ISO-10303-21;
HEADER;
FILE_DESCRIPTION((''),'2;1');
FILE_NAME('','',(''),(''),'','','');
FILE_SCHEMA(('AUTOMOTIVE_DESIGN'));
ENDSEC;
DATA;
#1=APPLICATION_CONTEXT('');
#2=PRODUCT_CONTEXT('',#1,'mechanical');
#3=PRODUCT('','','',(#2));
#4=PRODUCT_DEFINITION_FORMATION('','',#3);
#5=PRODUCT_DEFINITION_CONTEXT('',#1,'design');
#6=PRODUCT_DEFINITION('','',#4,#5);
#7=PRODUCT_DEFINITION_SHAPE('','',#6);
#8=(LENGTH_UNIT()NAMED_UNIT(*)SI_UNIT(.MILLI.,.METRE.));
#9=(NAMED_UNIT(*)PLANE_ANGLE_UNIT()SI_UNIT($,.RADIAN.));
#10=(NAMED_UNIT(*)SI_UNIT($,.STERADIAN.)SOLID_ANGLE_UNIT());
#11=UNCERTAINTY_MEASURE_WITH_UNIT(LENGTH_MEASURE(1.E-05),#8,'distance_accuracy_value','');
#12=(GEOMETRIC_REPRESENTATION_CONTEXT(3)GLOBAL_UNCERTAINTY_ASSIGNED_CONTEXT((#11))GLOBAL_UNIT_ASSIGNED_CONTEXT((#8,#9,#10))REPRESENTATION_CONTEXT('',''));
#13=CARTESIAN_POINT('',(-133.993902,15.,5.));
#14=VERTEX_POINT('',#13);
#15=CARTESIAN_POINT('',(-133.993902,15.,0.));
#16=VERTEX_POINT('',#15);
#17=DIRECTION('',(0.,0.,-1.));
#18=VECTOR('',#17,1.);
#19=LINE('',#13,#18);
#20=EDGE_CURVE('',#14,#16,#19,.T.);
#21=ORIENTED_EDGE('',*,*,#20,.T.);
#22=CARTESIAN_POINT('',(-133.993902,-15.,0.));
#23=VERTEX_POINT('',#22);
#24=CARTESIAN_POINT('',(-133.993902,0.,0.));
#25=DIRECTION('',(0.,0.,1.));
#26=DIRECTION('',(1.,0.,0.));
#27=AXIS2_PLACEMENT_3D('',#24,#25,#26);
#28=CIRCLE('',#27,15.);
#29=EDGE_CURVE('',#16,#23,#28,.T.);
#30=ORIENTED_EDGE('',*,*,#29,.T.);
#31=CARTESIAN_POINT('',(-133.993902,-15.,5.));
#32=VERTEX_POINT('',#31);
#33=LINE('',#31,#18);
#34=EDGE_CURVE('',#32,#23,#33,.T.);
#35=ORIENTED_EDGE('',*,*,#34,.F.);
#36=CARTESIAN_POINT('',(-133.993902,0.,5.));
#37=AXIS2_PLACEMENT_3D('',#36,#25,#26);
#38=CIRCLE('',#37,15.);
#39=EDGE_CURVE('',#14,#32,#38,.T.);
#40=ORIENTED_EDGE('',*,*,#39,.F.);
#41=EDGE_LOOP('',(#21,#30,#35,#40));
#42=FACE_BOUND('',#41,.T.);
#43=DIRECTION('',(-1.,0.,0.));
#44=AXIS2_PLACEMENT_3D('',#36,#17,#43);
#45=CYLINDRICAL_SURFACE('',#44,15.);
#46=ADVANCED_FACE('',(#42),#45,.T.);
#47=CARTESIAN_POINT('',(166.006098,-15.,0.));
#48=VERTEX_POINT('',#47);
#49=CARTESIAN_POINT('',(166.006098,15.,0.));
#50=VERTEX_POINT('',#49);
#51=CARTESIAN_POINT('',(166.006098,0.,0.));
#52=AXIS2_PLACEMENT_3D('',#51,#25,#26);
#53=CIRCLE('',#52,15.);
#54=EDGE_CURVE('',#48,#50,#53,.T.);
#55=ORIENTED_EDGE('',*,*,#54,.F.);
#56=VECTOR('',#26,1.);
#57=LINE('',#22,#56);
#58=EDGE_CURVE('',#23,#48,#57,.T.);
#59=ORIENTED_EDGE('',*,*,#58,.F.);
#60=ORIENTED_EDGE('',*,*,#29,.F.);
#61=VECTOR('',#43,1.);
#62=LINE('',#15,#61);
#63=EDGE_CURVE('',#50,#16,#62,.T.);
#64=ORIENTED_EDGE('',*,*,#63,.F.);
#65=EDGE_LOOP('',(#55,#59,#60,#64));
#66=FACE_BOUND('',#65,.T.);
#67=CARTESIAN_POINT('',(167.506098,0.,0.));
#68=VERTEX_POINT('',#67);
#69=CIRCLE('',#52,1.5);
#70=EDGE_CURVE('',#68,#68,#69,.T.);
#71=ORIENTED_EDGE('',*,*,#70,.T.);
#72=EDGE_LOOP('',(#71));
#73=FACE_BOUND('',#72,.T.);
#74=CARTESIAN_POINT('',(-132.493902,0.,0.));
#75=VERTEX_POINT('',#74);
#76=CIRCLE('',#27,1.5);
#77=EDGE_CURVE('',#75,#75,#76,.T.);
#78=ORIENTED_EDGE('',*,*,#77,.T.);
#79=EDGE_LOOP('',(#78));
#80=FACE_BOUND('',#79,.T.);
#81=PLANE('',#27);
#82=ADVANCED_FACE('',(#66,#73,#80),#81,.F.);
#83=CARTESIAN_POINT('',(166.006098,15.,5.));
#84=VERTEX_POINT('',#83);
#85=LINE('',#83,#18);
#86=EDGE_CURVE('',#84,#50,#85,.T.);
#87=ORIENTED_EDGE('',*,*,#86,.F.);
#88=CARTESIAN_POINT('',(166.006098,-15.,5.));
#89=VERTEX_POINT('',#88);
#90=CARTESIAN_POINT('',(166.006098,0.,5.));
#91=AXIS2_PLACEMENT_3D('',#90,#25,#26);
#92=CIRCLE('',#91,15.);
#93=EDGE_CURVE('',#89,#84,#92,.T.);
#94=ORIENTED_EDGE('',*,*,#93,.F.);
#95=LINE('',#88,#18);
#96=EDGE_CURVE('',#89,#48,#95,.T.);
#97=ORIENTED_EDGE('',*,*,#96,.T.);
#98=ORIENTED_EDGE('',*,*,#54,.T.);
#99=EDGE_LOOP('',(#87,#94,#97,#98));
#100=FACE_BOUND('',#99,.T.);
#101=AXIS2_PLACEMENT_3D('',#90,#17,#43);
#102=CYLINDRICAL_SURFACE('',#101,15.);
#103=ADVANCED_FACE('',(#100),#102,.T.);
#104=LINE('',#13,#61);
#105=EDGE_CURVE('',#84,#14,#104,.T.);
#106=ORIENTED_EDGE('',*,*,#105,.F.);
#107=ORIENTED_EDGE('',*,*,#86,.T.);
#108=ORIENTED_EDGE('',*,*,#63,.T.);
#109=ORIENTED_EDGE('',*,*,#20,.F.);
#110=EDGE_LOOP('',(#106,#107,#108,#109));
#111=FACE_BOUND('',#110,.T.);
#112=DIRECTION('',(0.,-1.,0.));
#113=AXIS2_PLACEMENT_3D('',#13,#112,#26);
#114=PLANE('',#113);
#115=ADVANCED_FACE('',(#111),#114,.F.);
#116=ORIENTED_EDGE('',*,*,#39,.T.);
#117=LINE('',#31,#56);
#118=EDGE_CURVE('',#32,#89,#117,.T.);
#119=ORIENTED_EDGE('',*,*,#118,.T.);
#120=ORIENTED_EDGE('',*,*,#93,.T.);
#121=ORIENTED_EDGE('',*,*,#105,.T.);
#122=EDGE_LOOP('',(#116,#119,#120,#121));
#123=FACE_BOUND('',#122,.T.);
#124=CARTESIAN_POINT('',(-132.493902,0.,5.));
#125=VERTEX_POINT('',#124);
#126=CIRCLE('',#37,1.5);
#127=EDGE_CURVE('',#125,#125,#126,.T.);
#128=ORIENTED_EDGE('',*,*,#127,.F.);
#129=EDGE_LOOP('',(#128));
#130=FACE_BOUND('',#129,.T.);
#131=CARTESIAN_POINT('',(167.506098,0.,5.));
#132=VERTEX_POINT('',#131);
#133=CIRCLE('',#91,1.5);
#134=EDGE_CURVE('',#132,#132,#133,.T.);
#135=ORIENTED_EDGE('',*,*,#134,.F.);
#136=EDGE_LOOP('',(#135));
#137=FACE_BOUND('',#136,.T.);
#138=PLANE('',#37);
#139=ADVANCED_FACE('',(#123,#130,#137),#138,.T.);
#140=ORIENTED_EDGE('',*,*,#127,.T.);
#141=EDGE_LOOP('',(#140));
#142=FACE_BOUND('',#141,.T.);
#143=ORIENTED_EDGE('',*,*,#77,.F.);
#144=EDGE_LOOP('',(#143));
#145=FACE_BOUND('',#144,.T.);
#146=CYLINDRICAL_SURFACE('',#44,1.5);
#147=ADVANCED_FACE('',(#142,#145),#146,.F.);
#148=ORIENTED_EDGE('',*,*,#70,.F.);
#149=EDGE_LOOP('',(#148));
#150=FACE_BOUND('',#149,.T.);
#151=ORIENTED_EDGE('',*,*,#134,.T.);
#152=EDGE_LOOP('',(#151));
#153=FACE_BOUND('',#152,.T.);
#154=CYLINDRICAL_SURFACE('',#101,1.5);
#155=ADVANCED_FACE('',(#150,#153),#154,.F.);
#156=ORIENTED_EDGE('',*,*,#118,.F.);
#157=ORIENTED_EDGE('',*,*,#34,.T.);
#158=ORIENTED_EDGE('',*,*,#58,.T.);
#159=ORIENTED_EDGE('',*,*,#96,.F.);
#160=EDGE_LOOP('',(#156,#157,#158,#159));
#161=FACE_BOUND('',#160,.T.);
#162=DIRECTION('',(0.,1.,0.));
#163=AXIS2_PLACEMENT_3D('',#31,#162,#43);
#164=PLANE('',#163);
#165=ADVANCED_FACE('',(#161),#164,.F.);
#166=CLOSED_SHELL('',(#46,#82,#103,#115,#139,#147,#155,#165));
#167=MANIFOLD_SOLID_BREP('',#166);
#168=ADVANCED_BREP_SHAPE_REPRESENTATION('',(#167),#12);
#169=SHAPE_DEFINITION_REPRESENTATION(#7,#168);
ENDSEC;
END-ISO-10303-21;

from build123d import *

# Parameters (mm, degrees)
SKETCH1_R           = 1.5
BOSS_EXTRUDE1_DEPTH = 5


with BuildPart() as part:
    # Sketch1 → Boss-Extrude1 (new body)
    with BuildSketch(Plane.XY):
        with BuildLine():
            Line((-133.993902439, 15), (166.006097561, 15))
            ThreePointArc((166.006097561, 15), (181.006097561, 0), (166.006097561, -15))
            Line((166.006097561, -15), (-133.993902439, -15))
            ThreePointArc((-133.993902439, -15), (-148.993902439, 0), (-133.993902439, 15))
        make_face()
        with Locations((-133.993902439, 0)):
            Circle(SKETCH1_R, mode=Mode.SUBTRACT)
        with Locations((166.006097561, 0)):
            Circle(SKETCH1_R, mode=Mode.SUBTRACT)
    extrude(amount=BOSS_EXTRUDE1_DEPTH)


solid = part.part
